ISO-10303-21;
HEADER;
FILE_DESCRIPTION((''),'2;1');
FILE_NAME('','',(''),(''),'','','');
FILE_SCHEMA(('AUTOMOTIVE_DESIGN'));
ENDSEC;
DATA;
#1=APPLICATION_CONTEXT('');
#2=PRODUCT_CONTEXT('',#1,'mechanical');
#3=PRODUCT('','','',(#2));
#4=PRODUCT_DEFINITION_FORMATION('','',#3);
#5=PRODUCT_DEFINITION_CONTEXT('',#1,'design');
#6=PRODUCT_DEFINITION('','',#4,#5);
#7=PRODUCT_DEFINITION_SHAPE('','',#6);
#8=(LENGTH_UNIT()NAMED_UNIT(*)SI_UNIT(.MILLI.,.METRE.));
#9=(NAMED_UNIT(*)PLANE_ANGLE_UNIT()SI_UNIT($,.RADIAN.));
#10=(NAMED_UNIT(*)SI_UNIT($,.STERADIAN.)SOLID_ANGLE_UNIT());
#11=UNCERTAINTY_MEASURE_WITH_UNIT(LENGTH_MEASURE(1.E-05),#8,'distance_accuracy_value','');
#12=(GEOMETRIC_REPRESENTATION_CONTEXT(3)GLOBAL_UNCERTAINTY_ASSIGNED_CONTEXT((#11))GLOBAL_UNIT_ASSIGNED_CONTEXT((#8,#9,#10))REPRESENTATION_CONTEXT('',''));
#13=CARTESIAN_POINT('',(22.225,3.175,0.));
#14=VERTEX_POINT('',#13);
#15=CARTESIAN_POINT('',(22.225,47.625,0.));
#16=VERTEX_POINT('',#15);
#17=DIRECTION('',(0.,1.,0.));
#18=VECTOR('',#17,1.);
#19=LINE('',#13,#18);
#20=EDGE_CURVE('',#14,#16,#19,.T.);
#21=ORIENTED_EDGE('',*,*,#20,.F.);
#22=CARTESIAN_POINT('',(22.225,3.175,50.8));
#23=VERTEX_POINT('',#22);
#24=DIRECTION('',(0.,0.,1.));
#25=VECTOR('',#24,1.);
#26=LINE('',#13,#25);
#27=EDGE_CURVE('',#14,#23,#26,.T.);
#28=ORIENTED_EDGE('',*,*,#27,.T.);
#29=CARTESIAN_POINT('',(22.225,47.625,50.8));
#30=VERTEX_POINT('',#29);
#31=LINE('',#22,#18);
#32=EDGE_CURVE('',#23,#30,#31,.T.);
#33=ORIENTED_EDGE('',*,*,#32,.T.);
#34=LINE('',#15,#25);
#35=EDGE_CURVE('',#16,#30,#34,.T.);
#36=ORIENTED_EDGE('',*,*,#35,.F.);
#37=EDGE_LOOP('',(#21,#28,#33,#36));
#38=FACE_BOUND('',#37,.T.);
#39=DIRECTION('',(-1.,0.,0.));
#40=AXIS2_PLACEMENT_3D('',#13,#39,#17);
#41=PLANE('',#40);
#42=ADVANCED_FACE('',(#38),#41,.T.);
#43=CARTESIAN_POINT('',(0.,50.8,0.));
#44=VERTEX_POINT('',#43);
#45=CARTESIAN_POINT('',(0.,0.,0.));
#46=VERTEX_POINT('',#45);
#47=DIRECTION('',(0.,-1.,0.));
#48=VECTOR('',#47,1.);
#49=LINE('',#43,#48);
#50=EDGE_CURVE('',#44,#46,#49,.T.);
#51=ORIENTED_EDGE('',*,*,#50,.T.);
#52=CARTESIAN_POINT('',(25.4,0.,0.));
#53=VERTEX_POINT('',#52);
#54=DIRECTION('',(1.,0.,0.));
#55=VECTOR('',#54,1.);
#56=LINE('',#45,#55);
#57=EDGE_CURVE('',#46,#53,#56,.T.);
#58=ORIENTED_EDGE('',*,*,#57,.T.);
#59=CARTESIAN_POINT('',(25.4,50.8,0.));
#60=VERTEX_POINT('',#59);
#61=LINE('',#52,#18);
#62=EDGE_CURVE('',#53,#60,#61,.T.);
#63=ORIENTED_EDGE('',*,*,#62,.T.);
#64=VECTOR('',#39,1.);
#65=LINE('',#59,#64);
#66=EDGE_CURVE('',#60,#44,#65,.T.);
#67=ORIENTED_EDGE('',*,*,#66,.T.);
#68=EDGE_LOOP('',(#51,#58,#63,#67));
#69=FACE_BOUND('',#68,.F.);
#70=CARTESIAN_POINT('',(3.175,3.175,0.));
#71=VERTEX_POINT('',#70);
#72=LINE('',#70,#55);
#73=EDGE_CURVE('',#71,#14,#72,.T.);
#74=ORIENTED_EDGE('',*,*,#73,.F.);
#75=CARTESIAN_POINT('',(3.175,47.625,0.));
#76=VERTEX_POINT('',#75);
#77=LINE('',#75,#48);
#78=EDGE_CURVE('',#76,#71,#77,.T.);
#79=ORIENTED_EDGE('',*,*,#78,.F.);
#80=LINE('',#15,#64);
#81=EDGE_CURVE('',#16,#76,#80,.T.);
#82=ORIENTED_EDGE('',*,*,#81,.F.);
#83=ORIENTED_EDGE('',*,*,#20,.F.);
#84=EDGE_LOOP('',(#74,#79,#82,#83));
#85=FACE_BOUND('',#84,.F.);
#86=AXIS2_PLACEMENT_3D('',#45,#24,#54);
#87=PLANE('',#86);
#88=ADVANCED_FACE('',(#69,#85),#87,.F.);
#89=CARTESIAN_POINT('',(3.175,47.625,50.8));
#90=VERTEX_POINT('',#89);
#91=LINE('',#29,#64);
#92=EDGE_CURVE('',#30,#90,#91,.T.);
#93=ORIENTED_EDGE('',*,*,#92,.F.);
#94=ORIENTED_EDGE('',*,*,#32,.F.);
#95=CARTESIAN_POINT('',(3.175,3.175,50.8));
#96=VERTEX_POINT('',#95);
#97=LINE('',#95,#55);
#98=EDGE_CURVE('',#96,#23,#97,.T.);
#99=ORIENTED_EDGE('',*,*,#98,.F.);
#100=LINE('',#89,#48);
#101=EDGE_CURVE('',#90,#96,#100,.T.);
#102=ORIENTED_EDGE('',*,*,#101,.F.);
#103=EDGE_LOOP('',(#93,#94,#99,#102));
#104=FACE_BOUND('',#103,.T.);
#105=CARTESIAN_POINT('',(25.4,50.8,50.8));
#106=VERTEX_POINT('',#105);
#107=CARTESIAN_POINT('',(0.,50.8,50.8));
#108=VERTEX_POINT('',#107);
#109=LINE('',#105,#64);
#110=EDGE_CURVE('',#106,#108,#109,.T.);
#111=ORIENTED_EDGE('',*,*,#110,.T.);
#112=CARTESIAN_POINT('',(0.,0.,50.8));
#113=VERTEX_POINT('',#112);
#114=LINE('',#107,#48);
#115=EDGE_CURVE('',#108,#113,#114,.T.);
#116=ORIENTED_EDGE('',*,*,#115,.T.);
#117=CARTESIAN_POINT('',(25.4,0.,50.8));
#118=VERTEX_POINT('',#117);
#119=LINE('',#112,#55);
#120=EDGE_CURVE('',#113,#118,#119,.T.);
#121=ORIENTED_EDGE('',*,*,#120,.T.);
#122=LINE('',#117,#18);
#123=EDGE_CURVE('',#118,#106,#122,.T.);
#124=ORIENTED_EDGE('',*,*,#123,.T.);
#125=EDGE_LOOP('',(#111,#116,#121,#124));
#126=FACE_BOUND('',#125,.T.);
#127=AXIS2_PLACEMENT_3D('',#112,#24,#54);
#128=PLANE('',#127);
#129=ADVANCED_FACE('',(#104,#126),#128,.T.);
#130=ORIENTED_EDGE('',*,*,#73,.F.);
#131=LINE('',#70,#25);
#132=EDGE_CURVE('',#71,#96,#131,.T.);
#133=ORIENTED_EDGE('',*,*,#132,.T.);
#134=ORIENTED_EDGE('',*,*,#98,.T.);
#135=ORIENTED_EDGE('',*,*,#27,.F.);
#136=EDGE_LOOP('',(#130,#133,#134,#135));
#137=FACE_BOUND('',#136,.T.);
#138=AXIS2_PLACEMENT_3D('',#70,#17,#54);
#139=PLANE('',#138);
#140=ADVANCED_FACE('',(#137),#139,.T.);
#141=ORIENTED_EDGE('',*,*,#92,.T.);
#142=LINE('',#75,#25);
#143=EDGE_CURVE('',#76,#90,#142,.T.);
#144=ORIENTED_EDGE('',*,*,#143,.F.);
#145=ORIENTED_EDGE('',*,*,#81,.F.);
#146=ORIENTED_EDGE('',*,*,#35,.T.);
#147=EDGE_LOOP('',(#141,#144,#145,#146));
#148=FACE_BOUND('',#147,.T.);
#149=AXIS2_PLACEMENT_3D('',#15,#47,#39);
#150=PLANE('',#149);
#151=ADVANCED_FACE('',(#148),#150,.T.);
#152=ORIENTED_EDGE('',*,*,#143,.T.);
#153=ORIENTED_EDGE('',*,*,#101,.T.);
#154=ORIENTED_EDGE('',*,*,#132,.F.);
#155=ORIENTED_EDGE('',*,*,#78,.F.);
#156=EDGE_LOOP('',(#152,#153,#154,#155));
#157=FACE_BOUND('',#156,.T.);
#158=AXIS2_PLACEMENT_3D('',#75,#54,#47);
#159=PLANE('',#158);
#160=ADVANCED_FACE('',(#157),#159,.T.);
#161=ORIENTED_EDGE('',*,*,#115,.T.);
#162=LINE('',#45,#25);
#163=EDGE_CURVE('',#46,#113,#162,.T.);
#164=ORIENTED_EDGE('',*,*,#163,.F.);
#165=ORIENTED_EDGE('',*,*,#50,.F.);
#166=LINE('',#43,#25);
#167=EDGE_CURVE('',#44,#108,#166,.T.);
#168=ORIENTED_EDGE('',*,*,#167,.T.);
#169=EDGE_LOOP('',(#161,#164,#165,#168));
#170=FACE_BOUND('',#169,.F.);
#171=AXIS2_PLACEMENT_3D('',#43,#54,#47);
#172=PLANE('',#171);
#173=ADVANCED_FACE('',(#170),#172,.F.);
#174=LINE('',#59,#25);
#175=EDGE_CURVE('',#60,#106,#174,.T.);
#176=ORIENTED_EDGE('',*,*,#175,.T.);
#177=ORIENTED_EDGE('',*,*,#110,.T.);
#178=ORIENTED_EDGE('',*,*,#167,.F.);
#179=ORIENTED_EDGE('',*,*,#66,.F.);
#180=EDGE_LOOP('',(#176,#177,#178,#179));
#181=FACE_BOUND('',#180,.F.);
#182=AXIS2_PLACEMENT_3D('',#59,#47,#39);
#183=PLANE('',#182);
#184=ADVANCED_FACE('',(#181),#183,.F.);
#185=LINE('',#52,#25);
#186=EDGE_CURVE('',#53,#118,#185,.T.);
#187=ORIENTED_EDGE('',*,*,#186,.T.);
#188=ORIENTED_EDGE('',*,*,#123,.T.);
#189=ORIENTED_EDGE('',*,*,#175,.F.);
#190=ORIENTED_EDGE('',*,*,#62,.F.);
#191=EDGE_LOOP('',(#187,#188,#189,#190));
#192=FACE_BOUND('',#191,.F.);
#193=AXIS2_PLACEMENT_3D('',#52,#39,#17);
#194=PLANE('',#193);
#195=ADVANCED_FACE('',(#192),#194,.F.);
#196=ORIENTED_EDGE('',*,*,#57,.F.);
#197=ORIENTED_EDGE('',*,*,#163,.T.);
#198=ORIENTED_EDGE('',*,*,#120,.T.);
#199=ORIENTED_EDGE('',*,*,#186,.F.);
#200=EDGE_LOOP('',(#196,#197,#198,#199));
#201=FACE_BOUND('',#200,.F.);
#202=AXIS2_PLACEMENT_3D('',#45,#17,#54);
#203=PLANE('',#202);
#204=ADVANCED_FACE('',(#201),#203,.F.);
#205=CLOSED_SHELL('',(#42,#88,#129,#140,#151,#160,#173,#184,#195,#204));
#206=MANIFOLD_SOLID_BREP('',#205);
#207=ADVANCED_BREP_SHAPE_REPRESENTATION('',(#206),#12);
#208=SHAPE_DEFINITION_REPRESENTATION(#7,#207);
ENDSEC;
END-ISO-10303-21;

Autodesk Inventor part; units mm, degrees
ref_plane "YZ Plane" through (0, 0, 0) normal (1, 0, 0) x (0, 1, 0)
ref_plane "XZ Plane" through (0, 0, 0) normal (0, 1, 0) x (-1, 0, 0)
ref_plane "XY Plane" through (0, 0, 0) normal (0, 0, 1) x (1, 0, 0)
sketch "Sketch1" plane through (0, 0, 0) normal (0, 0, 1) x (1, 0, 0)
  line L0 (0, 0) -> (25.4, 0)
  line L1 (25.4, 0) -> (25.4, 50.8)
  line L2 (25.4, 50.8) -> (0, 50.8)
  line L3 (0, 50.8) -> (0, 0)
  line L4 (3.175, 3.175) -> (22.225, 3.175)
  line L5 (22.225, 3.175) -> (22.225, 47.625)
  line L6 (22.225, 47.625) -> (3.175, 47.625)
  line L7 (3.175, 47.625) -> (3.175, 3.175)
  dimension "d0" = 3.175
  dimension "d1" = 3.175
  dimension "d2" = 3.175
  dimension "d3" = 3.175
  dimension "d4" = 50.8
  dimension "d5" = 25.4
extrude "Extrusion1" add sketch "Sketch1" along normal blind 50.8
equation "\"d0\" = d3"
equation "\"d1\" = d0"
equation "\"d3\" = d2"
properties part number "manipulator spacer"
